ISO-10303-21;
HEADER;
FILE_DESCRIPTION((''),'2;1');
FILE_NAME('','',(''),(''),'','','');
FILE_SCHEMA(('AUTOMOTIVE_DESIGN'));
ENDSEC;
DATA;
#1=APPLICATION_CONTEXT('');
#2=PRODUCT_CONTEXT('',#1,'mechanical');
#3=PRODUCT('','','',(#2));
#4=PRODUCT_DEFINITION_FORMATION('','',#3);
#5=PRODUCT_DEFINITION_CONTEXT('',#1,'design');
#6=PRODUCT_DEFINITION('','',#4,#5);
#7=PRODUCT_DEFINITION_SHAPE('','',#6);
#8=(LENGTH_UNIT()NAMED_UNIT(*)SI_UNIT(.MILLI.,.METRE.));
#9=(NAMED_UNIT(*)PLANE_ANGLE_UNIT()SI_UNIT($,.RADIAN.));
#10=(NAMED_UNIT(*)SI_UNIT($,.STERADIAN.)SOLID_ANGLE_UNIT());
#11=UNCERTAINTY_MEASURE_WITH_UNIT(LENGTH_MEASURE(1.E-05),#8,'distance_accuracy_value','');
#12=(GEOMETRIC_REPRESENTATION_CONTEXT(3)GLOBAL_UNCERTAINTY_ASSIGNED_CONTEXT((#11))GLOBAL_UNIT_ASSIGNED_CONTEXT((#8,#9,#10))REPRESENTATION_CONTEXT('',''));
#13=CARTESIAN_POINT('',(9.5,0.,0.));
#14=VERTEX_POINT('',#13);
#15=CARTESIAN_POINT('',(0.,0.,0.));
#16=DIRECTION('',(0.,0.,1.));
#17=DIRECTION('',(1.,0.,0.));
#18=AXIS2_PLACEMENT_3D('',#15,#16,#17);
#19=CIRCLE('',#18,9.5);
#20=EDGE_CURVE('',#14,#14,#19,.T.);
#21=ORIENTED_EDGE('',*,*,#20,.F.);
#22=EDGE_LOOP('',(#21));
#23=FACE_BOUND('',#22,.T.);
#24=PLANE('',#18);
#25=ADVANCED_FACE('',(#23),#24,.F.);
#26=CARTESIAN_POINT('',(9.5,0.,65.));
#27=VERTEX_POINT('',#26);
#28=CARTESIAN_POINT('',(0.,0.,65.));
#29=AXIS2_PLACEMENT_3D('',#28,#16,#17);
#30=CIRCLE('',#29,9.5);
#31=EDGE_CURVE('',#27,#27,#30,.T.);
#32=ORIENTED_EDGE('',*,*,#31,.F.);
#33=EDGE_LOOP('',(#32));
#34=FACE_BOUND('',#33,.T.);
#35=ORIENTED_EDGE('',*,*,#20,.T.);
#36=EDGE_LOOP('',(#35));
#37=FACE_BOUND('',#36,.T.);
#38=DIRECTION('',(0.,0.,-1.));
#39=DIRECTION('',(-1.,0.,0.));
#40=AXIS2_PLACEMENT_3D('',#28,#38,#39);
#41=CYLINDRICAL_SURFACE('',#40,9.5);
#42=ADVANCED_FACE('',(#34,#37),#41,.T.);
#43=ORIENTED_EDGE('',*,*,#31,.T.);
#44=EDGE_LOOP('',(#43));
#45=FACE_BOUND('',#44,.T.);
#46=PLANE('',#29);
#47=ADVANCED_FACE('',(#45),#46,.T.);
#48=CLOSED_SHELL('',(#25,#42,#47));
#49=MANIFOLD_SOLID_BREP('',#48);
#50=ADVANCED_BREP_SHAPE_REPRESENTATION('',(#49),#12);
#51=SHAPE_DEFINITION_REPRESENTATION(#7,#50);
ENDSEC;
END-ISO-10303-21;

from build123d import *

# Parameters (mm, degrees)
ESQUISSE1_R        = 9.5
BOSS_EXTRU_1_DEPTH = 65


with BuildPart() as part:
    # Esquisse1 → Boss.-Extru.1 (new body)
    with BuildSketch(Plane.XY):
        Circle(ESQUISSE1_R)
    extrude(amount=BOSS_EXTRU_1_DEPTH)


solid = part.part
